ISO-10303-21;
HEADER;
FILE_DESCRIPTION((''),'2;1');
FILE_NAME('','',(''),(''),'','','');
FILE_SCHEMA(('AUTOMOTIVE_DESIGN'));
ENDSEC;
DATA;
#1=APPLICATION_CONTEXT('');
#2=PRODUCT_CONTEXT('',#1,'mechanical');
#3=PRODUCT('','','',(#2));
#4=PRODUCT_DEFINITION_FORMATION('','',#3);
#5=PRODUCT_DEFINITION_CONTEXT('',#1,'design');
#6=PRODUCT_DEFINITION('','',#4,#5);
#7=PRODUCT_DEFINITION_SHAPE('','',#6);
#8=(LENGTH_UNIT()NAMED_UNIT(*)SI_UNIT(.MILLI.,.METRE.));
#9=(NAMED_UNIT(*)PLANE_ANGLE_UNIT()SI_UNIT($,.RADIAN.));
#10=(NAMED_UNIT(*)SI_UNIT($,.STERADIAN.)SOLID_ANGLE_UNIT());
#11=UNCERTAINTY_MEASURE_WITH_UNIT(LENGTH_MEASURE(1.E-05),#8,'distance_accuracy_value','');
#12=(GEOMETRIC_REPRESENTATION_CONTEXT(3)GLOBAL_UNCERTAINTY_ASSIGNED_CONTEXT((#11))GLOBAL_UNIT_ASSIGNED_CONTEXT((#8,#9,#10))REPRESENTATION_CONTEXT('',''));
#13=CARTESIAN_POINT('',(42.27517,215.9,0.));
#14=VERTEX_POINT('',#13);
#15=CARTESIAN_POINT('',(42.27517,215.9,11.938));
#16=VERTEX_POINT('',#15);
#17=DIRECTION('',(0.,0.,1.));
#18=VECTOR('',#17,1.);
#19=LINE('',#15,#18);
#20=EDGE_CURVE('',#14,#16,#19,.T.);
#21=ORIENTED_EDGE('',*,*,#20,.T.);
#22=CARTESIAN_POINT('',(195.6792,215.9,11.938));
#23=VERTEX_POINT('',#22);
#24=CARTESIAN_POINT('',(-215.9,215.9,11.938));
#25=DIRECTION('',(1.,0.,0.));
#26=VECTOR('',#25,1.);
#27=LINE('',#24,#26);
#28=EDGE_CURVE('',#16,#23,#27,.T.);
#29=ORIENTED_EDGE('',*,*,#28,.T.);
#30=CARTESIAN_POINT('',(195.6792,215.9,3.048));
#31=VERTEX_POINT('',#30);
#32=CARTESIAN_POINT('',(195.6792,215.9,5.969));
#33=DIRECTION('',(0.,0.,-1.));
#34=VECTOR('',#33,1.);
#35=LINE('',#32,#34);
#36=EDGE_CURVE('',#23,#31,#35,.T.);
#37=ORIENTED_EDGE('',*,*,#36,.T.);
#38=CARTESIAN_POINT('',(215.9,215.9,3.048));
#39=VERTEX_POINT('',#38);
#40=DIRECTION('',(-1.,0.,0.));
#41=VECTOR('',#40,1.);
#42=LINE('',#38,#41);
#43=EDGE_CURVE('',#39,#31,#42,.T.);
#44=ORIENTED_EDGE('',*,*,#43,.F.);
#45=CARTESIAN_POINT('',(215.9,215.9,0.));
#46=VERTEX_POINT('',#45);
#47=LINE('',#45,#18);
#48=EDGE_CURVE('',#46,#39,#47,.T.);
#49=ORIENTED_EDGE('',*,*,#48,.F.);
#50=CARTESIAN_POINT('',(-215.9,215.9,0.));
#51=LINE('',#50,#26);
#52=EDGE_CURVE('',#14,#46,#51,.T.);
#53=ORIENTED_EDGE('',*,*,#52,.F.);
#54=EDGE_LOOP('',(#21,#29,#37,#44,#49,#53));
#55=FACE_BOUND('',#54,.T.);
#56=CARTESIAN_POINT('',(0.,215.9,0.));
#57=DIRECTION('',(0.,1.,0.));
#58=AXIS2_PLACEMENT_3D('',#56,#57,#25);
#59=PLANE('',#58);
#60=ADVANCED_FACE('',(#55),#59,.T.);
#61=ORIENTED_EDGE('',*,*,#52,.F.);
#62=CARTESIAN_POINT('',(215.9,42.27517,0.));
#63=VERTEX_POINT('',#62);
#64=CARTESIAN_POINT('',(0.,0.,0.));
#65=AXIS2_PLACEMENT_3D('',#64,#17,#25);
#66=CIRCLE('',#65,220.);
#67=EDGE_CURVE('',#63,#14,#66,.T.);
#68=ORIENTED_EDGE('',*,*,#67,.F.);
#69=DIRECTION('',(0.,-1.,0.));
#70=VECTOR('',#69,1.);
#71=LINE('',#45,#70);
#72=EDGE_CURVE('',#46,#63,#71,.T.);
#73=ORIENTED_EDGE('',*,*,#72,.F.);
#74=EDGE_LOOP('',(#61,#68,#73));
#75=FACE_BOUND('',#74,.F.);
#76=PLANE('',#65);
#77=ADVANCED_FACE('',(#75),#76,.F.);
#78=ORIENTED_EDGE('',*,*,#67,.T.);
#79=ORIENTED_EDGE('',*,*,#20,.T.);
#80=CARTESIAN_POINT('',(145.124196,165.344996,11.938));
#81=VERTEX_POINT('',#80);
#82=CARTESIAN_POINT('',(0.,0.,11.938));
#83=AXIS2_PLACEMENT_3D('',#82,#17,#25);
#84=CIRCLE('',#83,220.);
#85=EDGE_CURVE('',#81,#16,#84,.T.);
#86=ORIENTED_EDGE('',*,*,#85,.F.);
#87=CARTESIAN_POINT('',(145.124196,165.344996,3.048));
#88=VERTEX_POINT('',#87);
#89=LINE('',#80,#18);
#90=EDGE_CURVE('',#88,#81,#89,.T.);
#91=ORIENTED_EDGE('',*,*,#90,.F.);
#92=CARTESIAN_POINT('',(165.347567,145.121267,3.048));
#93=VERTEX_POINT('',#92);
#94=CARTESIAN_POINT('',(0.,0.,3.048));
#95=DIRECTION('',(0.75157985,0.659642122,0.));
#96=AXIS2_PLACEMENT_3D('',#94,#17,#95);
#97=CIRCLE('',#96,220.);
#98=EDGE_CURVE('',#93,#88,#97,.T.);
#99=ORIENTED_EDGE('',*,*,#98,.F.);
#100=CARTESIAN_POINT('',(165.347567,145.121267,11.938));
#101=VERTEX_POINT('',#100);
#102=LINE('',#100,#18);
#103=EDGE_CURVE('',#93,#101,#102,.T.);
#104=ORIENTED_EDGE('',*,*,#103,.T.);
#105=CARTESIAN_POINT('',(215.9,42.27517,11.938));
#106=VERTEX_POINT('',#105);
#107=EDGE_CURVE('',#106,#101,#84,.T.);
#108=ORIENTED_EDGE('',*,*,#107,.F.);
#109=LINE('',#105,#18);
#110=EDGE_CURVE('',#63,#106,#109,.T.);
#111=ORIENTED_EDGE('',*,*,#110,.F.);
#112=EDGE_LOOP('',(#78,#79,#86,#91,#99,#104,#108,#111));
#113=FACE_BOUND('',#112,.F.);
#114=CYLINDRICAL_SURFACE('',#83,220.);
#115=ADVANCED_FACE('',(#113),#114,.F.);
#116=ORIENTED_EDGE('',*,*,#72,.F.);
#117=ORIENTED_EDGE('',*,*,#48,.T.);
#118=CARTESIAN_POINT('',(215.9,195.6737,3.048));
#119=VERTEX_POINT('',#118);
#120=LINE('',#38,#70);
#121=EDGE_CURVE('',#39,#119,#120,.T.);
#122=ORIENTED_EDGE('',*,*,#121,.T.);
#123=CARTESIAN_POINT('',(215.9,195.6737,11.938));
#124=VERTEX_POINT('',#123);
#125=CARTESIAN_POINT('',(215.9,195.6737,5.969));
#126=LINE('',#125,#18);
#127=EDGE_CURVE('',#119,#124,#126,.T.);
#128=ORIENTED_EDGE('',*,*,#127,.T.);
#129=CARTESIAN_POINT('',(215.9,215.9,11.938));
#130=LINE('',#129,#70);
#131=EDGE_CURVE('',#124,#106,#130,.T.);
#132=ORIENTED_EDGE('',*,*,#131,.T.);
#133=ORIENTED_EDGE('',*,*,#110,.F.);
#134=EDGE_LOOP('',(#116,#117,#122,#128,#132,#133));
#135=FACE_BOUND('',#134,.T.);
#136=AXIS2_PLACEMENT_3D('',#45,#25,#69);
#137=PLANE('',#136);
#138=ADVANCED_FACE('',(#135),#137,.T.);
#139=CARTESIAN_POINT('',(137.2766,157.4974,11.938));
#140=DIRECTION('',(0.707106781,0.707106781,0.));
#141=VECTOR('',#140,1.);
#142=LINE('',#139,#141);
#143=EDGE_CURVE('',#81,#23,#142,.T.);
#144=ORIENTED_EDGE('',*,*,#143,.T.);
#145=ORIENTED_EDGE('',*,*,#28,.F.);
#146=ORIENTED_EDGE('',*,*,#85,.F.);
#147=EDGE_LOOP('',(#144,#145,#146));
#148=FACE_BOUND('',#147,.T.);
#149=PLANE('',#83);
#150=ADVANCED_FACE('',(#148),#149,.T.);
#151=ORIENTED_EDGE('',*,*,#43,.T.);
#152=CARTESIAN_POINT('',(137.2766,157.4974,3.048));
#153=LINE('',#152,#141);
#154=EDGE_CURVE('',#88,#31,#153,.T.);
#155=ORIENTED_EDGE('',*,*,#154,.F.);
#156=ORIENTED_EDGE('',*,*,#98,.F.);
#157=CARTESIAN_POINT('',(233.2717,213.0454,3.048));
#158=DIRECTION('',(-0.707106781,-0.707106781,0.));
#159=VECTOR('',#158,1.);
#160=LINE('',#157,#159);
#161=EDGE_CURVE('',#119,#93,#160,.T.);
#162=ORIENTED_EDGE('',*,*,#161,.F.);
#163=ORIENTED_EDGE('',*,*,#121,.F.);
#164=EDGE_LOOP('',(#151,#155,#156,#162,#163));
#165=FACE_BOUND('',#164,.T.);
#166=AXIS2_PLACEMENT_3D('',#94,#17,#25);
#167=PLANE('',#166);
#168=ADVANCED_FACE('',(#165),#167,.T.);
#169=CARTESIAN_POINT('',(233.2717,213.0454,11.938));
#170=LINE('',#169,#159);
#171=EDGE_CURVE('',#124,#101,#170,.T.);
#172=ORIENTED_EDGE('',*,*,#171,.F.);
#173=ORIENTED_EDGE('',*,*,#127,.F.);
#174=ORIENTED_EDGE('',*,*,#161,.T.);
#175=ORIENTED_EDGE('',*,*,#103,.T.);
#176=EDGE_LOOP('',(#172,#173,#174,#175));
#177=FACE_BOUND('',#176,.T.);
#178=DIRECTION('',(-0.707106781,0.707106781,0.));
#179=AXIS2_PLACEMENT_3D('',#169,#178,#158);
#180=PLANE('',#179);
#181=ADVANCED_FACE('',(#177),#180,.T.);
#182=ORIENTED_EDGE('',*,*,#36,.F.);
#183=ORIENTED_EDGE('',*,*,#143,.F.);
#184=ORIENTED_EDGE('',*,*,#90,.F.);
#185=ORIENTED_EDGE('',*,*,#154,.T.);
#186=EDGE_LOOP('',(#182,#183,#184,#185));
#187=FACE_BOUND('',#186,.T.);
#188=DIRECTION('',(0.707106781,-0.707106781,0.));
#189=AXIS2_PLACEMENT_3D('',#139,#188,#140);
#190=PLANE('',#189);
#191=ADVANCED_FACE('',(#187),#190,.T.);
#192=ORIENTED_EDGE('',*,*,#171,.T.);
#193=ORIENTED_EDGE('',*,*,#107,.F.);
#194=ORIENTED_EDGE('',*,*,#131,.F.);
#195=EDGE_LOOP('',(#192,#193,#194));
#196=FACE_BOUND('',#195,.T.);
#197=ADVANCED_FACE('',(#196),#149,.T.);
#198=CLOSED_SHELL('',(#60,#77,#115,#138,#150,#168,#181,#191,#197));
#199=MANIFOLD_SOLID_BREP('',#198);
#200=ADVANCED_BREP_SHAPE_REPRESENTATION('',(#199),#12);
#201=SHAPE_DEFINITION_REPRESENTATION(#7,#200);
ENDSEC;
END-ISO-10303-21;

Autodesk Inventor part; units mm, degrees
ref_plane "YZ Plane" through (0, 0, 0) normal (1, 0, 0) x (0, 1, 0)
ref_plane "XZ Plane" through (0, 0, 0) normal (0, 1, 0) x (-1, 0, 0)
ref_plane "XY Plane" through (0, 0, 0) normal (0, 0, 1) x (1, 0, 0)
sketch "Sketch1" plane through (0, 0, 0) normal (0, 0, 1) x (1, 0, 0)
  circle A0 centre (0, 0) radius 215.9
  line L0 (-215.9, 215.9) -> (215.9, 215.9)
  line L1 (215.9, 215.9) -> (215.9, -215.9)
  line L2 (215.9, -215.9) -> (-215.9, -215.9)
  line L3 (-215.9, -215.9) -> (-215.9, 215.9)
  point P0 (215.9, 0)
  point P1 (0, 215.9)
  dimension "d0" = 431.8
  dimension "d1" = 431.8
  dimension "d2" = 431.8
  dimension "d3" = 215.9
  dimension "d4" = 215.9
extrude "Extrusion1" add sketch "Sketch1" along normal blind 11.938 contours A0 L0 L1
sketch "Sketch2" plane through (0, 0, 11.938) normal (0, 0, 1) x (1, 0, 0)
  circle A0 centre (0, 0) radius 220
  dimension "d7" = 440
extrude "Extrusion2" cut sketch "Sketch2" against normal through all
sketch "Sketch3" plane through (0, 0, 11.938) normal (0, 0, 1) x (1, 0, 0)
  line L0 (215.9, 215.9) -> (42.2752, 215.9) projected
  line L1 (215.9, 215.9) -> (197.9422, 215.9)
  line L2 (215.9, 42.2752) -> (215.9, 215.9) projected
  line L3 (215.9, 215.9) -> (215.9, 197.9368)
  line L4 (215.9, 197.9368) -> (135.0791, 117.1158)
  line L5 (135.0791, 117.1158) -> (117.1185, 135.0763)
  line L6 (117.1185, 135.0763) -> (197.9422, 215.9)
  point P0 (0, 0)
  dimension "d10" = 25.4
  dimension "d11" = 135
  dimension "d12" = 135
  dimension "d13" = 17.9578
  dimension "d14" = 90
  dimension "d15" = 127
extrude "Extrusion3" cut sketch "Sketch3" against normal blind 8.89
sketch "Sketch5" plane through (0, 0, 11.938) normal (0, 0, 1) x (1, 0, 0)
  arc A0 (164.2856, 146.3224) -> (146.3253, 164.2831) centre (0, 0) ccw projected
  line L0 (215.9, 197.9368) -> (164.2856, 146.3224) projected
  line L1 (215.9, 215.9) -> (215.9, 197.9368) projected
  line L2 (197.9422, 215.9) -> (215.9, 215.9) projected
  line L3 (146.3253, 164.2831) -> (197.9422, 215.9) projected
  line L4 (137.2766, 157.4974) -> (211.5205, 231.7413)
  line L5 (211.5205, 231.7413) -> (233.2717, 213.0454)
  line L6 (233.2717, 213.0454) -> (157.5001, 137.2738)
  line L7 (157.5001, 137.2738) -> (137.2766, 157.4974)
  dimension "d22" = 90
  dimension "d25" = 4.32
  dimension "d26" = 1.6002
  dimension "d27" = 1.6002
extrude "Extrusion5" cut sketch "Sketch5" against normal up to surface (8.89 mm away) contours A0 L3 L2 L1 L0 | L4 L5 L6 L7
properties part number "Wind Tunnel Fan Shroud Corner Mod Strap" material "Wood (Oak)"
